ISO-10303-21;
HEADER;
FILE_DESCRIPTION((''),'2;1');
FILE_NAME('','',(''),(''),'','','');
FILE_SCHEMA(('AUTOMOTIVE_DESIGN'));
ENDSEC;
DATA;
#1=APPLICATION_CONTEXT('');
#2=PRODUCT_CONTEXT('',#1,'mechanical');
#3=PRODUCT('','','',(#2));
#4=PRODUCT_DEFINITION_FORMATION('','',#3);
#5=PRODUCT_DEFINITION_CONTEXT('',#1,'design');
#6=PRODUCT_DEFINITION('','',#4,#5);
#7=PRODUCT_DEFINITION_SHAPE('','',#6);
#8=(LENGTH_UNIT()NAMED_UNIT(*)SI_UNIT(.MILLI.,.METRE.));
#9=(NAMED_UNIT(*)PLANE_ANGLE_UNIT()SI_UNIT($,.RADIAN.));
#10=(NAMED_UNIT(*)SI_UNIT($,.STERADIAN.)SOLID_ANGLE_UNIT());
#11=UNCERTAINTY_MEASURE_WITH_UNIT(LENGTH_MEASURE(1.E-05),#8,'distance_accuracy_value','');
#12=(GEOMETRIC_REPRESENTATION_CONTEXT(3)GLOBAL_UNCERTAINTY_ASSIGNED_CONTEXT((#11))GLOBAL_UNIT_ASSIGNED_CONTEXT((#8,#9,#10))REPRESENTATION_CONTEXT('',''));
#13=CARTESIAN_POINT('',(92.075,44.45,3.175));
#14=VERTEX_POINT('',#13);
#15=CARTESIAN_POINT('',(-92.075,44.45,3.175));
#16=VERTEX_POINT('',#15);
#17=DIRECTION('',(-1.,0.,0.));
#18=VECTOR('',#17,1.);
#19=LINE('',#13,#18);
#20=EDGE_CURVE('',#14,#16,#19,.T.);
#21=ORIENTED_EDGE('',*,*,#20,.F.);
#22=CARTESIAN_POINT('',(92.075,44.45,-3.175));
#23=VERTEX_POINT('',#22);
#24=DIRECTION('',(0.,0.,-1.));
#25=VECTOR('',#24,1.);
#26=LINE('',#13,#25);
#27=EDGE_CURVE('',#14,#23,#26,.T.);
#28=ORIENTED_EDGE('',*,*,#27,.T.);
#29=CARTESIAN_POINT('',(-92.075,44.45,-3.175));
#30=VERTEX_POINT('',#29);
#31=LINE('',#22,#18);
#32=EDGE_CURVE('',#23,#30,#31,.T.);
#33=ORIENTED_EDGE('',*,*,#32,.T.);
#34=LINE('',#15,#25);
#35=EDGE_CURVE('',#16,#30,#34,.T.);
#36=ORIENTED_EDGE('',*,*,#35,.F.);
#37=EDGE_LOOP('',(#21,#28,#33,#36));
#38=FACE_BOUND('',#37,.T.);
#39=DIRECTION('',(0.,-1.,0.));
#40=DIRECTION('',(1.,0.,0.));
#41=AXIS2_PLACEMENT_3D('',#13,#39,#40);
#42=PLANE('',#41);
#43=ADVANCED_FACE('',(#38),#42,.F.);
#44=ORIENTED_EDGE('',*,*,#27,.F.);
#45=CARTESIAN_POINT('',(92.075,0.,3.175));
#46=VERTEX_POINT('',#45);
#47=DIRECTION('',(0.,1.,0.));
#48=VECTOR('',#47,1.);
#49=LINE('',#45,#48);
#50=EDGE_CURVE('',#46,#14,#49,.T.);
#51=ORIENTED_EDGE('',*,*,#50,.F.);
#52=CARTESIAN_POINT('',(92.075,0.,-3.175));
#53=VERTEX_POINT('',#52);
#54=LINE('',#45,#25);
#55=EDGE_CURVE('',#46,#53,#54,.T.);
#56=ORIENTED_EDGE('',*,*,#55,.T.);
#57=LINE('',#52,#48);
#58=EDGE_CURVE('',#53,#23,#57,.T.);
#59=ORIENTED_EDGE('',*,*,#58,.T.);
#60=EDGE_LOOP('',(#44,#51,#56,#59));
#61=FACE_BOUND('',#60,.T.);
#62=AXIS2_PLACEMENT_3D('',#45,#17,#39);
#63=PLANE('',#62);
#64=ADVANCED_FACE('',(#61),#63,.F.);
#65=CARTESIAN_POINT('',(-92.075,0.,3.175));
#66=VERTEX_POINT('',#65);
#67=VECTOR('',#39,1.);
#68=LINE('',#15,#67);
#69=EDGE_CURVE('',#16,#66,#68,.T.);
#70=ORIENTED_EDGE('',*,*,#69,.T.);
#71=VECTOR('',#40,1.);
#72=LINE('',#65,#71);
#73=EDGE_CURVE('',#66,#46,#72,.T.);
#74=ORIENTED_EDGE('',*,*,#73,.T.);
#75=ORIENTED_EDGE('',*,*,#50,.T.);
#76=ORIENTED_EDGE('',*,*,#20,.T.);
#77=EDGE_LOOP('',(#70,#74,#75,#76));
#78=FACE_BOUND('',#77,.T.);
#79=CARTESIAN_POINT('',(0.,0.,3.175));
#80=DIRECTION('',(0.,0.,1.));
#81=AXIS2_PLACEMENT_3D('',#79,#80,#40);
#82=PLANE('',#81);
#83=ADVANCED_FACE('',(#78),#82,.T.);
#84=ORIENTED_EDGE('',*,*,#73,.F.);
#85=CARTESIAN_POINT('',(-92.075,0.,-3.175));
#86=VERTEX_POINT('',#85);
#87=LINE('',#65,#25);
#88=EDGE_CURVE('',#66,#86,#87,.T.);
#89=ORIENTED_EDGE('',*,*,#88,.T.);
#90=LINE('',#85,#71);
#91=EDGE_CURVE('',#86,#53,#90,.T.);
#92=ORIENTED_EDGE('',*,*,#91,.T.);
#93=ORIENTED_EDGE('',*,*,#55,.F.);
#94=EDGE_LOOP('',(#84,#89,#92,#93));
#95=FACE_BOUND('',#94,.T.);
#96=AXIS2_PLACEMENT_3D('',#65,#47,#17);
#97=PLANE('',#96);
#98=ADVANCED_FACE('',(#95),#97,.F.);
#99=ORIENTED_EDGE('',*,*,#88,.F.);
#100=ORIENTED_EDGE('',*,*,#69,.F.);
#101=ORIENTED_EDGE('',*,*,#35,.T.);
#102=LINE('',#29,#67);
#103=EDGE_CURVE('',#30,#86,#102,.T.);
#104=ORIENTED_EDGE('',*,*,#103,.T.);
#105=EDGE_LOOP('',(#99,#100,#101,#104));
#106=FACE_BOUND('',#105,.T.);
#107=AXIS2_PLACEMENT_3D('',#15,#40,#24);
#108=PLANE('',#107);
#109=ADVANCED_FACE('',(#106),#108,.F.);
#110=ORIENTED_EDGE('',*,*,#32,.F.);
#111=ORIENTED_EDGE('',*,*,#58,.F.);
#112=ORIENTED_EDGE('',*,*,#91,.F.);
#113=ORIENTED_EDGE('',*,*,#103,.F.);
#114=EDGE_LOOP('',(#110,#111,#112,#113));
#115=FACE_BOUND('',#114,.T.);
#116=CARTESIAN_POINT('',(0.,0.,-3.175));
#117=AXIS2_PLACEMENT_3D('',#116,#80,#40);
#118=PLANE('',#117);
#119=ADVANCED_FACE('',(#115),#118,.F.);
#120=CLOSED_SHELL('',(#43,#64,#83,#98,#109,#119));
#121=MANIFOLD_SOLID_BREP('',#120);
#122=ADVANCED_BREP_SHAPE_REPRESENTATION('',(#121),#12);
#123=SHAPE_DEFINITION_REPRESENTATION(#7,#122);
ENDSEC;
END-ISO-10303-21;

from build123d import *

# Parameters (mm, degrees)
SKETCH2_W           = 184.15
SKETCH2_H           = 44.45
BOSS_EXTRUDE1_DEPTH = 3.175


with BuildPart() as part:
    # Sketch2 → Boss-Extrude1 (new, symmetric)
    with BuildSketch(Plane.XY):
        with Locations((0, 22.225)):
            Rectangle(SKETCH2_W, SKETCH2_H)
    extrude(amount=BOSS_EXTRUDE1_DEPTH, both=True)


solid = part.part
